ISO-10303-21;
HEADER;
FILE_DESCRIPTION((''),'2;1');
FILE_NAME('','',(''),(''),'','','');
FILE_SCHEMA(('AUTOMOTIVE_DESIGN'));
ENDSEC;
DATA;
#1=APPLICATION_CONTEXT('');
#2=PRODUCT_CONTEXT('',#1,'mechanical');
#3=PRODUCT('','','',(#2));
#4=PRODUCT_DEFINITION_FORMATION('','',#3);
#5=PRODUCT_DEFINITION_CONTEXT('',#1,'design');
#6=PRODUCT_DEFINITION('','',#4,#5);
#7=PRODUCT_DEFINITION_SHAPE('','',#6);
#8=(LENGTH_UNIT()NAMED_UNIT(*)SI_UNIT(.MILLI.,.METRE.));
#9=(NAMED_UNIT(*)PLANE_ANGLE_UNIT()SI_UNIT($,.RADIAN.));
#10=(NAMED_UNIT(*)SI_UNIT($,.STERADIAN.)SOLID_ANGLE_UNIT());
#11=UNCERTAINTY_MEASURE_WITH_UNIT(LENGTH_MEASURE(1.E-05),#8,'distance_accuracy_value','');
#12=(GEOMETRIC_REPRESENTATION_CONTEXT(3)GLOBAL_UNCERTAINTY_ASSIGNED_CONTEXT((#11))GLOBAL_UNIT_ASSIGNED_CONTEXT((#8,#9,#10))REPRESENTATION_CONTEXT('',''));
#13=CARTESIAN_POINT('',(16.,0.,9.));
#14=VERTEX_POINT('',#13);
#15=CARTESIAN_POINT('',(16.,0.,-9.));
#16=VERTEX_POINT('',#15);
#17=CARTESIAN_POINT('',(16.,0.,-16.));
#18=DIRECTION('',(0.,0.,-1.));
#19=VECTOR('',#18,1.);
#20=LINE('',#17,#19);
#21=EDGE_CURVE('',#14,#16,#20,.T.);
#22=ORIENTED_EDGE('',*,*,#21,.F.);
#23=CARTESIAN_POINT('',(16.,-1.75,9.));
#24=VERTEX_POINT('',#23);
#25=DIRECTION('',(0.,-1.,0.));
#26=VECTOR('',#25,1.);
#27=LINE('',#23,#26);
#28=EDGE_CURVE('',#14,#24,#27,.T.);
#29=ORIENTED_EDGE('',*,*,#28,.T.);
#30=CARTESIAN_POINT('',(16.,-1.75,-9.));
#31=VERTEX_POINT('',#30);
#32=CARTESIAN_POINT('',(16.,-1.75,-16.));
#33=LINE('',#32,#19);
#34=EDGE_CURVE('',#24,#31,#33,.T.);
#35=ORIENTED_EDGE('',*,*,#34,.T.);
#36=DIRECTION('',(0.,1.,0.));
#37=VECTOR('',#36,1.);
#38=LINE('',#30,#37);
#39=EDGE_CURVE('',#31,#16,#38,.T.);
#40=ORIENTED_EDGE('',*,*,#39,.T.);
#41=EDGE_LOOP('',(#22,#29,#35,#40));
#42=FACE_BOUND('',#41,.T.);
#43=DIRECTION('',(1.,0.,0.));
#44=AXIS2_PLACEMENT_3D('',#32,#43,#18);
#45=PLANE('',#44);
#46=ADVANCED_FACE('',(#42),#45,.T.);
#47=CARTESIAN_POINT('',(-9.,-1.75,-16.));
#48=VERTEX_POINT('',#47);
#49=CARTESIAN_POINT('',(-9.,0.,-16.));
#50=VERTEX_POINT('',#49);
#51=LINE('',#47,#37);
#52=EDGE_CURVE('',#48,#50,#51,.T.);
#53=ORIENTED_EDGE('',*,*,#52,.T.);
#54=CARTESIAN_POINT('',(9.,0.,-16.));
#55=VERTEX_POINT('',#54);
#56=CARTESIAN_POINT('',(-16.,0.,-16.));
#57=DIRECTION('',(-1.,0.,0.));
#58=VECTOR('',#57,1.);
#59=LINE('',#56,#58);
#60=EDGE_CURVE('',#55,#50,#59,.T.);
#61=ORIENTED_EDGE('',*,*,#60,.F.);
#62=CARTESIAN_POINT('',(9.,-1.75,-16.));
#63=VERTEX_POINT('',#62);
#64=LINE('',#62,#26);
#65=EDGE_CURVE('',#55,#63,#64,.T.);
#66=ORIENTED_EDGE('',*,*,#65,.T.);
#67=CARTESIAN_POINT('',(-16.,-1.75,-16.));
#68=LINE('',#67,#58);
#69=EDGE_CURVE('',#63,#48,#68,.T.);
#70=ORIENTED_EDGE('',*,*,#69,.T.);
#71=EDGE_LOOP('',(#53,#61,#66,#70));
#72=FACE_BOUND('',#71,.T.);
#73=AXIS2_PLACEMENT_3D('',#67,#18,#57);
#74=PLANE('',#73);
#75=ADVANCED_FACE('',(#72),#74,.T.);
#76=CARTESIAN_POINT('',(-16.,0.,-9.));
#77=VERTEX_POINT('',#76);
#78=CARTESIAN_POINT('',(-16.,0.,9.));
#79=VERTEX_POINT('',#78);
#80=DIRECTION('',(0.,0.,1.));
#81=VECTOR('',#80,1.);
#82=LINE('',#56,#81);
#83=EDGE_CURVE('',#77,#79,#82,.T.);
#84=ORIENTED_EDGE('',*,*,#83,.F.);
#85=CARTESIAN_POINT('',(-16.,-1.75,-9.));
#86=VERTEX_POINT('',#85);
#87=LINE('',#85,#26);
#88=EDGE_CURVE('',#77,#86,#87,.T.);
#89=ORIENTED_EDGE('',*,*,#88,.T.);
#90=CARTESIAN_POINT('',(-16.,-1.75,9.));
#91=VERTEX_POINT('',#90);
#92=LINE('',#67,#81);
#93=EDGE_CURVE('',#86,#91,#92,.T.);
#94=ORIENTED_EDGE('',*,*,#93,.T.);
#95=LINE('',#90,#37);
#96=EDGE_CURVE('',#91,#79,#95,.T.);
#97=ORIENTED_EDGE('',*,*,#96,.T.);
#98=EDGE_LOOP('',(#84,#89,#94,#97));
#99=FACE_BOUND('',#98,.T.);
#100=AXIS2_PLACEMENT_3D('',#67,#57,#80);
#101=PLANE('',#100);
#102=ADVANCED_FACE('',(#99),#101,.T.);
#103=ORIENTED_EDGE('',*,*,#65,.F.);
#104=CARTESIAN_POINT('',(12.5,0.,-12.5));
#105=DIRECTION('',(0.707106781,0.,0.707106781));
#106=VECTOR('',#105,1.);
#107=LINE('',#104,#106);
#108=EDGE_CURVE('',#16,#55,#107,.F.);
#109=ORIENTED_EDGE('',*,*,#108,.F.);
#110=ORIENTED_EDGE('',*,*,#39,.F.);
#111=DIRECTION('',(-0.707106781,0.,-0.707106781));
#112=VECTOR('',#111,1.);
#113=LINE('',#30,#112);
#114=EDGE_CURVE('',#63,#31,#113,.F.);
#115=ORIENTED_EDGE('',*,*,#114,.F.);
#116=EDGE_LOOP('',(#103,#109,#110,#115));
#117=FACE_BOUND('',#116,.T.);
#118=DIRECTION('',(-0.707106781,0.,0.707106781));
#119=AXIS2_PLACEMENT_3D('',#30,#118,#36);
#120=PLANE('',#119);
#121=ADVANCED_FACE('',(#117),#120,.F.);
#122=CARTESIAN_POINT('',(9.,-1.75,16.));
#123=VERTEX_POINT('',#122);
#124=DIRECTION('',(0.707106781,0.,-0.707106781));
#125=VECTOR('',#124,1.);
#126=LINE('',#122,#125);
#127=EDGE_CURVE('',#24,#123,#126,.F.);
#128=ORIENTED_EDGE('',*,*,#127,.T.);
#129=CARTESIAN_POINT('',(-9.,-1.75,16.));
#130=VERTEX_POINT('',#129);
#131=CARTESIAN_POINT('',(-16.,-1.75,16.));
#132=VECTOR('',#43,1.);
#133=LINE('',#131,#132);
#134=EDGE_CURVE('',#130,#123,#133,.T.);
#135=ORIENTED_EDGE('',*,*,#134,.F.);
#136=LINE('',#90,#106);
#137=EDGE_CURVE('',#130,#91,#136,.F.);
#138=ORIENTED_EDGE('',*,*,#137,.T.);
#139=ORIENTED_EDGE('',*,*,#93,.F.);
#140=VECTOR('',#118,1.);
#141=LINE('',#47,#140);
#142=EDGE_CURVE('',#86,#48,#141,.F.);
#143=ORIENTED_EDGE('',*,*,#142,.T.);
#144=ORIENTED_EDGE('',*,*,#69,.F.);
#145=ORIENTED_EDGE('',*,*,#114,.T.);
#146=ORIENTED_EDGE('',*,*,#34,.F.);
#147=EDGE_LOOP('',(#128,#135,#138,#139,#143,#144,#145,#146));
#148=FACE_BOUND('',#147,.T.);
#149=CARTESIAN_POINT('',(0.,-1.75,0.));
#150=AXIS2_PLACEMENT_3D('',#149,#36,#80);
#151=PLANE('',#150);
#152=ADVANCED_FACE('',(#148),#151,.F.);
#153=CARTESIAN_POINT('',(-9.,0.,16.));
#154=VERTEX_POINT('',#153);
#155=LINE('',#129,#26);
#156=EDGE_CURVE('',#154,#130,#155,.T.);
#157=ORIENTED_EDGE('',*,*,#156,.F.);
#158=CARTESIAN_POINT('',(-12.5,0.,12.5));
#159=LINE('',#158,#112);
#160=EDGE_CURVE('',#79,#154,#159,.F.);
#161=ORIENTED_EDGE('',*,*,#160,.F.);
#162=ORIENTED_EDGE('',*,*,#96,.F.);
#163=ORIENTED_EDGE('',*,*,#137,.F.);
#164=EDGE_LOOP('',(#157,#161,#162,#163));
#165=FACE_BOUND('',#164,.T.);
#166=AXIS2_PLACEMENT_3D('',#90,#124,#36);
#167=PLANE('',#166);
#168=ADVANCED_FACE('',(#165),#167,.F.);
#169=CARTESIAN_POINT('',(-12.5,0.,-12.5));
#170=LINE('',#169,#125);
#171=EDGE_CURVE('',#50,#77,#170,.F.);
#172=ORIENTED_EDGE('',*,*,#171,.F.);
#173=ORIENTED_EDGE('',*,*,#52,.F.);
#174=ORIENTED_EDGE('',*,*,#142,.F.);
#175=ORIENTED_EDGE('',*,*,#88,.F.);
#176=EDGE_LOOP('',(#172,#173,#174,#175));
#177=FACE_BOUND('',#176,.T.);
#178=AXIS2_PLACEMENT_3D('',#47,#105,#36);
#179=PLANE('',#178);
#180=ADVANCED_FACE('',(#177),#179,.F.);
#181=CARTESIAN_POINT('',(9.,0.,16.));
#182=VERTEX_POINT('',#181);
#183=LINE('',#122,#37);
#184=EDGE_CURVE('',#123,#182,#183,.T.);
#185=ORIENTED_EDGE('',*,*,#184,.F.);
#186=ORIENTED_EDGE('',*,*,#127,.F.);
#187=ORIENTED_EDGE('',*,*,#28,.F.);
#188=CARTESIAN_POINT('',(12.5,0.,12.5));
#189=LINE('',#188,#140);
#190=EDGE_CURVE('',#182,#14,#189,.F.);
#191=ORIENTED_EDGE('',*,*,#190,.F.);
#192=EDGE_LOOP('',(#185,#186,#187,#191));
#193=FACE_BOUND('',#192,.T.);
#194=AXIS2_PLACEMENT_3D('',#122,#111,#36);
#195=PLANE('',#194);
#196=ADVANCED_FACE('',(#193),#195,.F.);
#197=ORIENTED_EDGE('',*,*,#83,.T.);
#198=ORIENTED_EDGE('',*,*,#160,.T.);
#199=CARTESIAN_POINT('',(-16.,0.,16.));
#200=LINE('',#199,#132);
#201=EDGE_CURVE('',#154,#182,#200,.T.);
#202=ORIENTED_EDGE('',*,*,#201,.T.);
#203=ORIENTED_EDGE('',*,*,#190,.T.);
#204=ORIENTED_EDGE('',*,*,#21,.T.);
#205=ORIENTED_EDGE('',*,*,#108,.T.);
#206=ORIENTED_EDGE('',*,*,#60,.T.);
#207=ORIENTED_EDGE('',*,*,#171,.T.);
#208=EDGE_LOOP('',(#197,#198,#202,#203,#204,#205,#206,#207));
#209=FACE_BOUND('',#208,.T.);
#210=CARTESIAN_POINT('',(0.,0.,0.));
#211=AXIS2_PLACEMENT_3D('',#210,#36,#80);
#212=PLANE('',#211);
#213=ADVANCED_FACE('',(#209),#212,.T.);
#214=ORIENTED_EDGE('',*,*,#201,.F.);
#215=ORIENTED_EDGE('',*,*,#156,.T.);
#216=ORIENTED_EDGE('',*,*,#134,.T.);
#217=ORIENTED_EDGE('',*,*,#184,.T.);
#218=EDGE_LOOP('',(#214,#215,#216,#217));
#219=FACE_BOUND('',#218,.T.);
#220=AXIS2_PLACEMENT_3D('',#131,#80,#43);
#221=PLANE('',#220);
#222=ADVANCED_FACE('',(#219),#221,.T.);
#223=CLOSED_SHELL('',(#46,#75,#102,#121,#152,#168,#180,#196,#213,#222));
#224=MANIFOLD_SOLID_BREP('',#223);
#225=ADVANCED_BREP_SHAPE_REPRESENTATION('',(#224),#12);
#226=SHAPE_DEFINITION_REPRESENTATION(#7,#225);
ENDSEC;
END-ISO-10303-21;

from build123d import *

# Parameters (mm, degrees)
SKETCH1_W           = 32
SKETCH1_H           = 32
BOSS_EXTRUDE1_DEPTH = 1.75
CHAMFER1_SIZE       = 7


with BuildPart() as part:
    # Sketch1 → Boss-Extrude1 (new body)
    with BuildSketch(Plane(origin=(0, 0, 0), x_dir=(1, 0, 0), z_dir=(0, 1, 0))):
        Rectangle(SKETCH1_W, SKETCH1_H)
    extrude(amount=-BOSS_EXTRUDE1_DEPTH)

    # Chamfer1
    chamfer1_edges = [part.edges().sort_by_distance(p)[0] for p in [
        (16, -0.875, 16),
        (-16, -0.875, 16),
        (-16, -0.875, -16),
        (16, -0.875, -16),
    ]]
    chamfer(chamfer1_edges, length=CHAMFER1_SIZE)


solid = part.part
